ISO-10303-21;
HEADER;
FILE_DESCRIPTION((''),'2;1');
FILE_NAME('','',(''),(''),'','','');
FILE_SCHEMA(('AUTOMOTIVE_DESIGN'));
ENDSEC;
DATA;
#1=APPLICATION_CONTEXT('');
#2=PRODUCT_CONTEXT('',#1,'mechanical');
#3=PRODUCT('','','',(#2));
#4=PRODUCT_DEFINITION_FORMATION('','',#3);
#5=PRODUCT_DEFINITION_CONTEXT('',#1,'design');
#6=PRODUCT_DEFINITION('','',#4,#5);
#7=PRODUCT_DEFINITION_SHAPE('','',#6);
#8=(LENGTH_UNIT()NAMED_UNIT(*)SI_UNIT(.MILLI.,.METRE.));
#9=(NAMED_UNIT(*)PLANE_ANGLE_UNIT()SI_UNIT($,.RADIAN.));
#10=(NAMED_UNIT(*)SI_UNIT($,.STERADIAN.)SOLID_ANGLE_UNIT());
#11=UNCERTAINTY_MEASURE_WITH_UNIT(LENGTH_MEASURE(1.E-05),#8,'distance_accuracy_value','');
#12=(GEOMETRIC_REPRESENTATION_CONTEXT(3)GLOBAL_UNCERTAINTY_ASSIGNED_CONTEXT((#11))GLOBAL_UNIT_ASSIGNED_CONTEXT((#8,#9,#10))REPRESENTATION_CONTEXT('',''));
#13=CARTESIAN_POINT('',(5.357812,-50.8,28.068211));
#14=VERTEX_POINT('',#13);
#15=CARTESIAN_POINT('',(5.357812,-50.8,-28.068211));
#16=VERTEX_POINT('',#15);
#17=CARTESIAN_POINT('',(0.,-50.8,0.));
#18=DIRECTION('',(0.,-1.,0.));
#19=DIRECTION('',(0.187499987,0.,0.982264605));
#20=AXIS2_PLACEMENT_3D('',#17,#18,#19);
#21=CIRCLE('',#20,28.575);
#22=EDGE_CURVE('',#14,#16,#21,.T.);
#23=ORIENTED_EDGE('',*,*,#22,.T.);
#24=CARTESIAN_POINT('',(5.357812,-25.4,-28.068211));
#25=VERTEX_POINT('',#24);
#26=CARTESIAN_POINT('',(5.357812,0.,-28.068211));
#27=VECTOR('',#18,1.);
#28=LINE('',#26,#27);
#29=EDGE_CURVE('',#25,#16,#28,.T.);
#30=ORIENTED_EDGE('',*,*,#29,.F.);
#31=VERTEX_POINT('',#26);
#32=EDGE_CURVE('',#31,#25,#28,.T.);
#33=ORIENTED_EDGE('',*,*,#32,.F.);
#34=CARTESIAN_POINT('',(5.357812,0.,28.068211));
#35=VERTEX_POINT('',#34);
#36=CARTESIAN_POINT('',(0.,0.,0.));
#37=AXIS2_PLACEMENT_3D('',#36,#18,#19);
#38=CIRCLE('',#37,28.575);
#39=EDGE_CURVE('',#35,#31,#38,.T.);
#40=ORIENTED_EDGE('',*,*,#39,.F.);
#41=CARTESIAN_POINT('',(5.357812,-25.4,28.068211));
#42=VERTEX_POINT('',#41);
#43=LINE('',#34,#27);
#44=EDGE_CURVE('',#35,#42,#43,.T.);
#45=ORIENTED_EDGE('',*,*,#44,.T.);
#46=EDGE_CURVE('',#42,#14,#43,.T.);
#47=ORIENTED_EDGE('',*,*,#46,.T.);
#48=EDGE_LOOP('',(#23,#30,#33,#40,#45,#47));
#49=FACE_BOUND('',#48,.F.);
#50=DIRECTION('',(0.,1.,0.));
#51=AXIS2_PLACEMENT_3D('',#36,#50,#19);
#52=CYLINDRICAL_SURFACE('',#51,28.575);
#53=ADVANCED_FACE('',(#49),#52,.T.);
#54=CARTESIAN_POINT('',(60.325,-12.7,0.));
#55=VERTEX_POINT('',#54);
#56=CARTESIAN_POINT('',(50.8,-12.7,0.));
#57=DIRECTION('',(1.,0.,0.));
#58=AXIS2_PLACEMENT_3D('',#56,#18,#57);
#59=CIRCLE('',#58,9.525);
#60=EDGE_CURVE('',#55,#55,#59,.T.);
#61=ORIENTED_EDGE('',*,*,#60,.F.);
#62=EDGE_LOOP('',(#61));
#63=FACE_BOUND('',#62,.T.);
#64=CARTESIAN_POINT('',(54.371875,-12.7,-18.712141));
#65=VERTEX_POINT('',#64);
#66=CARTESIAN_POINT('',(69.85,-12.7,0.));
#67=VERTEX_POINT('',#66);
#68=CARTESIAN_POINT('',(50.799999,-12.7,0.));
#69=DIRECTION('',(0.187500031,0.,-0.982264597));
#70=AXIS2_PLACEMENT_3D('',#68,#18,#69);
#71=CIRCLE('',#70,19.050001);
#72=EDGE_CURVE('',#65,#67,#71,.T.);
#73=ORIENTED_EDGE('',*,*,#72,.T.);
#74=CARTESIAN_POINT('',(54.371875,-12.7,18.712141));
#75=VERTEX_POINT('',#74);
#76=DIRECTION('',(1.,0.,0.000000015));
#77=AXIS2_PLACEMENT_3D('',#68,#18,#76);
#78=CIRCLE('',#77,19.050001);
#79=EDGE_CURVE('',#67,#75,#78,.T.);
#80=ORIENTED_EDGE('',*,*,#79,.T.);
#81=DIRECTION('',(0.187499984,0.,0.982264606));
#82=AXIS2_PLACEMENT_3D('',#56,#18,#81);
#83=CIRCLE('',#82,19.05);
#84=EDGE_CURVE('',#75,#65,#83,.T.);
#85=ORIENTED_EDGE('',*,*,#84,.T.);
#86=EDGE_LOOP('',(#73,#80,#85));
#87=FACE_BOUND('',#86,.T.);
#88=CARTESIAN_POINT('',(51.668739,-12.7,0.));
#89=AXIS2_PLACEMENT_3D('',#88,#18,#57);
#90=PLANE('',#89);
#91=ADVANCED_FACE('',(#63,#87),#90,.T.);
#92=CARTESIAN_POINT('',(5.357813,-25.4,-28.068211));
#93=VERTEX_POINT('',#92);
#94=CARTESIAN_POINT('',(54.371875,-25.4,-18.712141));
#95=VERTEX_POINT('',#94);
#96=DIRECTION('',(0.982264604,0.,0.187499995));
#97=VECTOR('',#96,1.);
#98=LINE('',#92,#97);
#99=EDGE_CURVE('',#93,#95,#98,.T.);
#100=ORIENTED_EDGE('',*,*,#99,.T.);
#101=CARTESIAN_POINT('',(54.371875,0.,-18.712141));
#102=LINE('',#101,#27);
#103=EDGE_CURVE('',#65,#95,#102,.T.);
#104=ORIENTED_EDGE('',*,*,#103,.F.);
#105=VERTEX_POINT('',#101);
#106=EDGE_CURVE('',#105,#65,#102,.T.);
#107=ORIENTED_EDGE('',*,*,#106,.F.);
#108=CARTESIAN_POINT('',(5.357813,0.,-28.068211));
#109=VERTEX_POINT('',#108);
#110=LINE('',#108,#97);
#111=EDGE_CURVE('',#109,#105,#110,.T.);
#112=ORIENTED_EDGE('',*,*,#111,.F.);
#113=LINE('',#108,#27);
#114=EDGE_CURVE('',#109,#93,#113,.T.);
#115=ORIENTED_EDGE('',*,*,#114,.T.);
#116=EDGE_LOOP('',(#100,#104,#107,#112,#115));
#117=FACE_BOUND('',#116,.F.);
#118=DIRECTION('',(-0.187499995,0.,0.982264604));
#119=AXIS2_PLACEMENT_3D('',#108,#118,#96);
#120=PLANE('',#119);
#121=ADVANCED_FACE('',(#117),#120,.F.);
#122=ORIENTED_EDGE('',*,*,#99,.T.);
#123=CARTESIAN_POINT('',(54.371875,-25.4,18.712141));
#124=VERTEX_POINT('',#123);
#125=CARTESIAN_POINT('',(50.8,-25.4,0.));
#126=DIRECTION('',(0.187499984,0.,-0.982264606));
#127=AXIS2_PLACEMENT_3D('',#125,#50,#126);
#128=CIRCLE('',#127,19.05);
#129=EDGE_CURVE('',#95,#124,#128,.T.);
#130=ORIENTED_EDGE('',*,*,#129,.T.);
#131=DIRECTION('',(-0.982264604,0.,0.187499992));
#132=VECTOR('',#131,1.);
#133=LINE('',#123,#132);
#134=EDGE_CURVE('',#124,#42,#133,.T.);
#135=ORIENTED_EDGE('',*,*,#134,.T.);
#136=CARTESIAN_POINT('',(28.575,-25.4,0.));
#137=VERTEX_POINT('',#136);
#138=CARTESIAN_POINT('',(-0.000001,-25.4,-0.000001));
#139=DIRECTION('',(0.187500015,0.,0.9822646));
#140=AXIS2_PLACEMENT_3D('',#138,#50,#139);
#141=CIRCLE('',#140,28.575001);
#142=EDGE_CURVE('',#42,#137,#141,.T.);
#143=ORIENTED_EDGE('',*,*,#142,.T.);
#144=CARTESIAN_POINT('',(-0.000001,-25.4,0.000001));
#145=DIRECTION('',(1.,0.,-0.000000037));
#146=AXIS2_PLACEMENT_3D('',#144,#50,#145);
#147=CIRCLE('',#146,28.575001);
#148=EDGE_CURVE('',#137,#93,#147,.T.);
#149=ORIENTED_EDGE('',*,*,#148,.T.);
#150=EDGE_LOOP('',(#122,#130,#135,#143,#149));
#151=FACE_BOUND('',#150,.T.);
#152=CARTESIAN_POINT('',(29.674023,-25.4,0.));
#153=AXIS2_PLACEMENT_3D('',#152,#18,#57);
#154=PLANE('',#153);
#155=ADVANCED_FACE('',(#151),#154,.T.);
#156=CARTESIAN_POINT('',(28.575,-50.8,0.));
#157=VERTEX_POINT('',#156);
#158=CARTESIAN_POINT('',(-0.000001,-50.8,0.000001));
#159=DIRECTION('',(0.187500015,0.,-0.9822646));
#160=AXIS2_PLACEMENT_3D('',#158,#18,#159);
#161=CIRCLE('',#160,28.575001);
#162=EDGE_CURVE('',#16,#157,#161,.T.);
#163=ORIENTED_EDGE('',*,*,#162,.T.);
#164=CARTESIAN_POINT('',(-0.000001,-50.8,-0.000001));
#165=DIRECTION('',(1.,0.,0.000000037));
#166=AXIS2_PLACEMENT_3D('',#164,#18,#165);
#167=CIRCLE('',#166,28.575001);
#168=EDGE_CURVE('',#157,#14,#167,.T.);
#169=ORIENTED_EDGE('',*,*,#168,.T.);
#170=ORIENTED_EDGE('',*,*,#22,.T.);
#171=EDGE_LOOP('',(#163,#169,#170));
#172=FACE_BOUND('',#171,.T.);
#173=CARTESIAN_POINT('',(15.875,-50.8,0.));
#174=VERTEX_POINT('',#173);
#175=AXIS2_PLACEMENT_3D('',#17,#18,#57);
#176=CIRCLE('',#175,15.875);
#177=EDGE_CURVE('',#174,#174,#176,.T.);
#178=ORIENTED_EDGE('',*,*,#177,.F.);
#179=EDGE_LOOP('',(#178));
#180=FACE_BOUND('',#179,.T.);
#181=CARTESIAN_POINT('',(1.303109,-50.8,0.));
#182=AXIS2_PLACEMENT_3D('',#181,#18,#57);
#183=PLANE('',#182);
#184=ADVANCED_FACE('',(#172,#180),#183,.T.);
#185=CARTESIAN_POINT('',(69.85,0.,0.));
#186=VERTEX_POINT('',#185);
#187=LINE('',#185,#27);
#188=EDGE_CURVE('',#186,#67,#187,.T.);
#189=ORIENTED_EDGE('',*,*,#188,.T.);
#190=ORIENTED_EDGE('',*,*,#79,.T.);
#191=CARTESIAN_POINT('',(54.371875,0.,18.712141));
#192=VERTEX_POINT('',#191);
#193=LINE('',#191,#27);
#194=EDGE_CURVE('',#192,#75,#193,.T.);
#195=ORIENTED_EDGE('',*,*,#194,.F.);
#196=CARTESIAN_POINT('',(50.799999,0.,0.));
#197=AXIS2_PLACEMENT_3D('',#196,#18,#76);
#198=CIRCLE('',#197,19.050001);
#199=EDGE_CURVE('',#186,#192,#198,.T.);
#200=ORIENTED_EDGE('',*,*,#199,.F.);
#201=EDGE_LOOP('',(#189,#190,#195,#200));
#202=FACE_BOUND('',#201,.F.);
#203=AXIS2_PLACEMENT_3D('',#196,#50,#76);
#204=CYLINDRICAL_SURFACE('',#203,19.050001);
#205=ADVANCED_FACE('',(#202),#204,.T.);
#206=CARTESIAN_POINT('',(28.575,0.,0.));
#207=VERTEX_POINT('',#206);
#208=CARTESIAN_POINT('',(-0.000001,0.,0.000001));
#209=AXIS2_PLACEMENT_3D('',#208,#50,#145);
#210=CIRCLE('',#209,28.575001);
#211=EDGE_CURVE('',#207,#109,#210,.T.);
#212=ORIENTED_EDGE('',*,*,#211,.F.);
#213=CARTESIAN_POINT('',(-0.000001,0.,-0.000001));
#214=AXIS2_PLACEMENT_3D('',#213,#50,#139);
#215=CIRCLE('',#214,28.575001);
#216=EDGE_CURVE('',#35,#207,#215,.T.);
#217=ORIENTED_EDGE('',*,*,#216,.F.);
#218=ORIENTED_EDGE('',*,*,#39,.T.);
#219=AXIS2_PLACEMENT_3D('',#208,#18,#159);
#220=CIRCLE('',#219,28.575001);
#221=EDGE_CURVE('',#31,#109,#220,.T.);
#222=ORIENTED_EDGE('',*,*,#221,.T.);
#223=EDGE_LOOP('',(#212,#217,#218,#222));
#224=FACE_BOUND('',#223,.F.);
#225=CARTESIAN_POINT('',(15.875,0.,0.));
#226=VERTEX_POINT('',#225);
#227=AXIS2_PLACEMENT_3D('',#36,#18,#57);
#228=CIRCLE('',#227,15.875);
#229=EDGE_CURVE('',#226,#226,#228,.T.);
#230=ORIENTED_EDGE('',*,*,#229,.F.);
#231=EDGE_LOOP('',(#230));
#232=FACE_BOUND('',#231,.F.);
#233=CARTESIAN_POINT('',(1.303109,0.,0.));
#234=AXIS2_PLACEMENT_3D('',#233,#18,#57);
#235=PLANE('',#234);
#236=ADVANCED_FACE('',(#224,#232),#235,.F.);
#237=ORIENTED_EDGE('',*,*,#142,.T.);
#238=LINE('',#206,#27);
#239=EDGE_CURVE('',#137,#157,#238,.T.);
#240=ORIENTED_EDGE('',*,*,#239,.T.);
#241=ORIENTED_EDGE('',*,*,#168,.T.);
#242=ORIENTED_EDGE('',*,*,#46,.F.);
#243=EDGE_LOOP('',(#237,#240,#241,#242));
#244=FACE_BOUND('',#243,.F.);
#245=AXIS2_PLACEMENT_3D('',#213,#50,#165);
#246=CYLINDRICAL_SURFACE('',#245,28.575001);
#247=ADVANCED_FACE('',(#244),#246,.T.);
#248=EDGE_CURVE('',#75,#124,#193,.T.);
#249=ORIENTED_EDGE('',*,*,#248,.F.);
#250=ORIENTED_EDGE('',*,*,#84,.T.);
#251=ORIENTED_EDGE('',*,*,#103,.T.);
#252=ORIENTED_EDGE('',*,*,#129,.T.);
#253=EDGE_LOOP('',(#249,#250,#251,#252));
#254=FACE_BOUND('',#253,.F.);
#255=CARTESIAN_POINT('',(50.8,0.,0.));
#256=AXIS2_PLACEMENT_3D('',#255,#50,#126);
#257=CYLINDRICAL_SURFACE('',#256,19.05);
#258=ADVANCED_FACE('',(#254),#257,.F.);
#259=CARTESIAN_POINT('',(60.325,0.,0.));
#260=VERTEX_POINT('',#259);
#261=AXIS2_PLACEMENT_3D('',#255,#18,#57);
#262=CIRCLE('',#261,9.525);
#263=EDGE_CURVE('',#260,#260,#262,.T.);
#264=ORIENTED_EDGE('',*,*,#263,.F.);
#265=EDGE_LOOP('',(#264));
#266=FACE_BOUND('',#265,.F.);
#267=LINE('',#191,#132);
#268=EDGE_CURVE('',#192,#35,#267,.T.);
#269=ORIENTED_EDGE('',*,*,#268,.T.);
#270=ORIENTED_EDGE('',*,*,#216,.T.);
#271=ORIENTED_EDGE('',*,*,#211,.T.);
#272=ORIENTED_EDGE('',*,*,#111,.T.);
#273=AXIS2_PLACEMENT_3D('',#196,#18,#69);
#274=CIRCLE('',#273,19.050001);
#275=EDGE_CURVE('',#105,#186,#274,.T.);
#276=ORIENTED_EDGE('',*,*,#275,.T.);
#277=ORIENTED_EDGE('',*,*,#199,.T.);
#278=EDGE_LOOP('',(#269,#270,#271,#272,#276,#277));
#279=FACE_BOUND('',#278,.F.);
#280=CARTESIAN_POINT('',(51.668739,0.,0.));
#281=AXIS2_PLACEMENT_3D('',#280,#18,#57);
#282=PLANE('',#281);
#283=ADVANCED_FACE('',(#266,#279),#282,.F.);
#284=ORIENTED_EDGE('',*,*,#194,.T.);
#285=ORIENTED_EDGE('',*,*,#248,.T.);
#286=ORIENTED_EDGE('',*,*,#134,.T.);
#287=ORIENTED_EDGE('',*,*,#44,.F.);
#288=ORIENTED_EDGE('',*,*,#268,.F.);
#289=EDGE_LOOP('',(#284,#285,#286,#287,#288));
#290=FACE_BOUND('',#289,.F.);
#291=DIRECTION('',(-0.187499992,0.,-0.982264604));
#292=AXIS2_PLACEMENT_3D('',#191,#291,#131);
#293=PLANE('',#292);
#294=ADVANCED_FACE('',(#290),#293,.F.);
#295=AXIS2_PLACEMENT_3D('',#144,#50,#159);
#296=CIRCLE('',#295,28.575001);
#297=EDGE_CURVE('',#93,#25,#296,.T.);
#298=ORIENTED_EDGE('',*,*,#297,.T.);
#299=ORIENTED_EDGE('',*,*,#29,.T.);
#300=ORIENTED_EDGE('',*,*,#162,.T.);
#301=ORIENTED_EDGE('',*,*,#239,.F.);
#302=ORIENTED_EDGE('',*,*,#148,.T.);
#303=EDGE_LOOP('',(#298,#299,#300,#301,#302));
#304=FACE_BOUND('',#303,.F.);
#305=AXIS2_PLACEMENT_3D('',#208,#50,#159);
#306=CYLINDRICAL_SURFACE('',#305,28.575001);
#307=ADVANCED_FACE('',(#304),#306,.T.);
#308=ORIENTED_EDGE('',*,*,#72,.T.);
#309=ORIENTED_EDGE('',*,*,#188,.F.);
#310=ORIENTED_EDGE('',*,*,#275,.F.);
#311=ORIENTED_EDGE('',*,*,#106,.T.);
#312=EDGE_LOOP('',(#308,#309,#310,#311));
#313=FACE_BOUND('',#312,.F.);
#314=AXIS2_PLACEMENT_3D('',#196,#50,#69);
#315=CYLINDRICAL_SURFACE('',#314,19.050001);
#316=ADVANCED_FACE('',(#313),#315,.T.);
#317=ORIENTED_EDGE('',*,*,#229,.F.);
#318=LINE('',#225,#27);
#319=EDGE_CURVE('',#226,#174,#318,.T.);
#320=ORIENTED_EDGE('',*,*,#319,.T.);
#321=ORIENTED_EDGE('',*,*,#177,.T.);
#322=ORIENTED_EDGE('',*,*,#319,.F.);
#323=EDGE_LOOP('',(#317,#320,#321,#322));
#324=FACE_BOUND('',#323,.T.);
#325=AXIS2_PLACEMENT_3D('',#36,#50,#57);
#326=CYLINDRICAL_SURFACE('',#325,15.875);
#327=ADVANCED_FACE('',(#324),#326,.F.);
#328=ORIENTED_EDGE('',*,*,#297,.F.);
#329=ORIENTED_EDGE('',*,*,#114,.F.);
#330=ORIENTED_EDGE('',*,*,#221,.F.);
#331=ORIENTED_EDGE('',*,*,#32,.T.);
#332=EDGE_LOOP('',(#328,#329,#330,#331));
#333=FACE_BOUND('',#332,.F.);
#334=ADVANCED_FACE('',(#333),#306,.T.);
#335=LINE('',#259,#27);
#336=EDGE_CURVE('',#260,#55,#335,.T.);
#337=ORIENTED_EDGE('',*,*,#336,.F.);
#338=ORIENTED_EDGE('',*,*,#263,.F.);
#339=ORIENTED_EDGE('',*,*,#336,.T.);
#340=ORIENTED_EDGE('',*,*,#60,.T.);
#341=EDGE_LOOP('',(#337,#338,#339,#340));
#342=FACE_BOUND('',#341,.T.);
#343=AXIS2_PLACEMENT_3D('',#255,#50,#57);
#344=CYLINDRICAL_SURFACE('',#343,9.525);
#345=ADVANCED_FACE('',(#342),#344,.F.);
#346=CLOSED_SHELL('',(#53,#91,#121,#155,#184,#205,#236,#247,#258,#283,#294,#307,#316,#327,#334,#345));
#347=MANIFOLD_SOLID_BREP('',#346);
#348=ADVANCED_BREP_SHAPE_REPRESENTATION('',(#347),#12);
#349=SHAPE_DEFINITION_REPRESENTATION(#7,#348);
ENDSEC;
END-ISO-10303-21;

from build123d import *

# Parameters (mm, degrees)
F1_DEPTH = 25.4
F0_R     = 15.875
F2_DEPTH = 50.8
F0_R_2   = 9.525
F3_DEPTH = 12.7


with BuildPart() as f1:
    # F0 (on Front) → F1 (new body)
    with BuildSketch(Plane.XZ):
        with BuildLine():
            ThreePointArc((5.357812, 28.068211), (22.018516, 18.21306), (28.575, 0))
            ThreePointArc((28.575, 0), (22.018516, -18.21306), (5.357812, -28.068211))
            Line((5.357813, -28.068211), (54.371875, -18.712141))
            ThreePointArc((54.371875, -18.712141), (31.75, 0), (54.371875, 18.712141))
            Line((54.371875, 18.712141), (5.357812, 28.068211))
        make_face()
    extrude(amount=F1_DEPTH)

    # F0 (on Front) → F2 (join)
    with BuildSketch(Plane.XZ):
        with BuildLine():
            ThreePointArc((5.357812, -28.068211), (22.018516, -18.21306), (28.575, 0))
            ThreePointArc((28.575, 0), (22.018516, 18.21306), (5.357812, 28.068211))
            ThreePointArc((5.357812, 28.068211), (-28.575, 0), (5.357812, -28.068211))
        make_face()
        Circle(F0_R, mode=Mode.SUBTRACT)
    extrude(amount=F2_DEPTH)

    # F0 (on Front) → F3 (join)
    with BuildSketch(Plane.XZ):
        with BuildLine():
            ThreePointArc((69.85, 0), (65.479011, 12.14204), (54.371875, 18.712141))
            ThreePointArc((54.371875, 18.712141), (31.75, 0), (54.371875, -18.712141))
            ThreePointArc((54.371875, -18.712141), (65.479011, -12.14204), (69.85, 0))
        make_face()
        with Locations((50.8, 0)):
            Circle(F0_R_2, mode=Mode.SUBTRACT)
    extrude(amount=F3_DEPTH)


solid = f1.part
